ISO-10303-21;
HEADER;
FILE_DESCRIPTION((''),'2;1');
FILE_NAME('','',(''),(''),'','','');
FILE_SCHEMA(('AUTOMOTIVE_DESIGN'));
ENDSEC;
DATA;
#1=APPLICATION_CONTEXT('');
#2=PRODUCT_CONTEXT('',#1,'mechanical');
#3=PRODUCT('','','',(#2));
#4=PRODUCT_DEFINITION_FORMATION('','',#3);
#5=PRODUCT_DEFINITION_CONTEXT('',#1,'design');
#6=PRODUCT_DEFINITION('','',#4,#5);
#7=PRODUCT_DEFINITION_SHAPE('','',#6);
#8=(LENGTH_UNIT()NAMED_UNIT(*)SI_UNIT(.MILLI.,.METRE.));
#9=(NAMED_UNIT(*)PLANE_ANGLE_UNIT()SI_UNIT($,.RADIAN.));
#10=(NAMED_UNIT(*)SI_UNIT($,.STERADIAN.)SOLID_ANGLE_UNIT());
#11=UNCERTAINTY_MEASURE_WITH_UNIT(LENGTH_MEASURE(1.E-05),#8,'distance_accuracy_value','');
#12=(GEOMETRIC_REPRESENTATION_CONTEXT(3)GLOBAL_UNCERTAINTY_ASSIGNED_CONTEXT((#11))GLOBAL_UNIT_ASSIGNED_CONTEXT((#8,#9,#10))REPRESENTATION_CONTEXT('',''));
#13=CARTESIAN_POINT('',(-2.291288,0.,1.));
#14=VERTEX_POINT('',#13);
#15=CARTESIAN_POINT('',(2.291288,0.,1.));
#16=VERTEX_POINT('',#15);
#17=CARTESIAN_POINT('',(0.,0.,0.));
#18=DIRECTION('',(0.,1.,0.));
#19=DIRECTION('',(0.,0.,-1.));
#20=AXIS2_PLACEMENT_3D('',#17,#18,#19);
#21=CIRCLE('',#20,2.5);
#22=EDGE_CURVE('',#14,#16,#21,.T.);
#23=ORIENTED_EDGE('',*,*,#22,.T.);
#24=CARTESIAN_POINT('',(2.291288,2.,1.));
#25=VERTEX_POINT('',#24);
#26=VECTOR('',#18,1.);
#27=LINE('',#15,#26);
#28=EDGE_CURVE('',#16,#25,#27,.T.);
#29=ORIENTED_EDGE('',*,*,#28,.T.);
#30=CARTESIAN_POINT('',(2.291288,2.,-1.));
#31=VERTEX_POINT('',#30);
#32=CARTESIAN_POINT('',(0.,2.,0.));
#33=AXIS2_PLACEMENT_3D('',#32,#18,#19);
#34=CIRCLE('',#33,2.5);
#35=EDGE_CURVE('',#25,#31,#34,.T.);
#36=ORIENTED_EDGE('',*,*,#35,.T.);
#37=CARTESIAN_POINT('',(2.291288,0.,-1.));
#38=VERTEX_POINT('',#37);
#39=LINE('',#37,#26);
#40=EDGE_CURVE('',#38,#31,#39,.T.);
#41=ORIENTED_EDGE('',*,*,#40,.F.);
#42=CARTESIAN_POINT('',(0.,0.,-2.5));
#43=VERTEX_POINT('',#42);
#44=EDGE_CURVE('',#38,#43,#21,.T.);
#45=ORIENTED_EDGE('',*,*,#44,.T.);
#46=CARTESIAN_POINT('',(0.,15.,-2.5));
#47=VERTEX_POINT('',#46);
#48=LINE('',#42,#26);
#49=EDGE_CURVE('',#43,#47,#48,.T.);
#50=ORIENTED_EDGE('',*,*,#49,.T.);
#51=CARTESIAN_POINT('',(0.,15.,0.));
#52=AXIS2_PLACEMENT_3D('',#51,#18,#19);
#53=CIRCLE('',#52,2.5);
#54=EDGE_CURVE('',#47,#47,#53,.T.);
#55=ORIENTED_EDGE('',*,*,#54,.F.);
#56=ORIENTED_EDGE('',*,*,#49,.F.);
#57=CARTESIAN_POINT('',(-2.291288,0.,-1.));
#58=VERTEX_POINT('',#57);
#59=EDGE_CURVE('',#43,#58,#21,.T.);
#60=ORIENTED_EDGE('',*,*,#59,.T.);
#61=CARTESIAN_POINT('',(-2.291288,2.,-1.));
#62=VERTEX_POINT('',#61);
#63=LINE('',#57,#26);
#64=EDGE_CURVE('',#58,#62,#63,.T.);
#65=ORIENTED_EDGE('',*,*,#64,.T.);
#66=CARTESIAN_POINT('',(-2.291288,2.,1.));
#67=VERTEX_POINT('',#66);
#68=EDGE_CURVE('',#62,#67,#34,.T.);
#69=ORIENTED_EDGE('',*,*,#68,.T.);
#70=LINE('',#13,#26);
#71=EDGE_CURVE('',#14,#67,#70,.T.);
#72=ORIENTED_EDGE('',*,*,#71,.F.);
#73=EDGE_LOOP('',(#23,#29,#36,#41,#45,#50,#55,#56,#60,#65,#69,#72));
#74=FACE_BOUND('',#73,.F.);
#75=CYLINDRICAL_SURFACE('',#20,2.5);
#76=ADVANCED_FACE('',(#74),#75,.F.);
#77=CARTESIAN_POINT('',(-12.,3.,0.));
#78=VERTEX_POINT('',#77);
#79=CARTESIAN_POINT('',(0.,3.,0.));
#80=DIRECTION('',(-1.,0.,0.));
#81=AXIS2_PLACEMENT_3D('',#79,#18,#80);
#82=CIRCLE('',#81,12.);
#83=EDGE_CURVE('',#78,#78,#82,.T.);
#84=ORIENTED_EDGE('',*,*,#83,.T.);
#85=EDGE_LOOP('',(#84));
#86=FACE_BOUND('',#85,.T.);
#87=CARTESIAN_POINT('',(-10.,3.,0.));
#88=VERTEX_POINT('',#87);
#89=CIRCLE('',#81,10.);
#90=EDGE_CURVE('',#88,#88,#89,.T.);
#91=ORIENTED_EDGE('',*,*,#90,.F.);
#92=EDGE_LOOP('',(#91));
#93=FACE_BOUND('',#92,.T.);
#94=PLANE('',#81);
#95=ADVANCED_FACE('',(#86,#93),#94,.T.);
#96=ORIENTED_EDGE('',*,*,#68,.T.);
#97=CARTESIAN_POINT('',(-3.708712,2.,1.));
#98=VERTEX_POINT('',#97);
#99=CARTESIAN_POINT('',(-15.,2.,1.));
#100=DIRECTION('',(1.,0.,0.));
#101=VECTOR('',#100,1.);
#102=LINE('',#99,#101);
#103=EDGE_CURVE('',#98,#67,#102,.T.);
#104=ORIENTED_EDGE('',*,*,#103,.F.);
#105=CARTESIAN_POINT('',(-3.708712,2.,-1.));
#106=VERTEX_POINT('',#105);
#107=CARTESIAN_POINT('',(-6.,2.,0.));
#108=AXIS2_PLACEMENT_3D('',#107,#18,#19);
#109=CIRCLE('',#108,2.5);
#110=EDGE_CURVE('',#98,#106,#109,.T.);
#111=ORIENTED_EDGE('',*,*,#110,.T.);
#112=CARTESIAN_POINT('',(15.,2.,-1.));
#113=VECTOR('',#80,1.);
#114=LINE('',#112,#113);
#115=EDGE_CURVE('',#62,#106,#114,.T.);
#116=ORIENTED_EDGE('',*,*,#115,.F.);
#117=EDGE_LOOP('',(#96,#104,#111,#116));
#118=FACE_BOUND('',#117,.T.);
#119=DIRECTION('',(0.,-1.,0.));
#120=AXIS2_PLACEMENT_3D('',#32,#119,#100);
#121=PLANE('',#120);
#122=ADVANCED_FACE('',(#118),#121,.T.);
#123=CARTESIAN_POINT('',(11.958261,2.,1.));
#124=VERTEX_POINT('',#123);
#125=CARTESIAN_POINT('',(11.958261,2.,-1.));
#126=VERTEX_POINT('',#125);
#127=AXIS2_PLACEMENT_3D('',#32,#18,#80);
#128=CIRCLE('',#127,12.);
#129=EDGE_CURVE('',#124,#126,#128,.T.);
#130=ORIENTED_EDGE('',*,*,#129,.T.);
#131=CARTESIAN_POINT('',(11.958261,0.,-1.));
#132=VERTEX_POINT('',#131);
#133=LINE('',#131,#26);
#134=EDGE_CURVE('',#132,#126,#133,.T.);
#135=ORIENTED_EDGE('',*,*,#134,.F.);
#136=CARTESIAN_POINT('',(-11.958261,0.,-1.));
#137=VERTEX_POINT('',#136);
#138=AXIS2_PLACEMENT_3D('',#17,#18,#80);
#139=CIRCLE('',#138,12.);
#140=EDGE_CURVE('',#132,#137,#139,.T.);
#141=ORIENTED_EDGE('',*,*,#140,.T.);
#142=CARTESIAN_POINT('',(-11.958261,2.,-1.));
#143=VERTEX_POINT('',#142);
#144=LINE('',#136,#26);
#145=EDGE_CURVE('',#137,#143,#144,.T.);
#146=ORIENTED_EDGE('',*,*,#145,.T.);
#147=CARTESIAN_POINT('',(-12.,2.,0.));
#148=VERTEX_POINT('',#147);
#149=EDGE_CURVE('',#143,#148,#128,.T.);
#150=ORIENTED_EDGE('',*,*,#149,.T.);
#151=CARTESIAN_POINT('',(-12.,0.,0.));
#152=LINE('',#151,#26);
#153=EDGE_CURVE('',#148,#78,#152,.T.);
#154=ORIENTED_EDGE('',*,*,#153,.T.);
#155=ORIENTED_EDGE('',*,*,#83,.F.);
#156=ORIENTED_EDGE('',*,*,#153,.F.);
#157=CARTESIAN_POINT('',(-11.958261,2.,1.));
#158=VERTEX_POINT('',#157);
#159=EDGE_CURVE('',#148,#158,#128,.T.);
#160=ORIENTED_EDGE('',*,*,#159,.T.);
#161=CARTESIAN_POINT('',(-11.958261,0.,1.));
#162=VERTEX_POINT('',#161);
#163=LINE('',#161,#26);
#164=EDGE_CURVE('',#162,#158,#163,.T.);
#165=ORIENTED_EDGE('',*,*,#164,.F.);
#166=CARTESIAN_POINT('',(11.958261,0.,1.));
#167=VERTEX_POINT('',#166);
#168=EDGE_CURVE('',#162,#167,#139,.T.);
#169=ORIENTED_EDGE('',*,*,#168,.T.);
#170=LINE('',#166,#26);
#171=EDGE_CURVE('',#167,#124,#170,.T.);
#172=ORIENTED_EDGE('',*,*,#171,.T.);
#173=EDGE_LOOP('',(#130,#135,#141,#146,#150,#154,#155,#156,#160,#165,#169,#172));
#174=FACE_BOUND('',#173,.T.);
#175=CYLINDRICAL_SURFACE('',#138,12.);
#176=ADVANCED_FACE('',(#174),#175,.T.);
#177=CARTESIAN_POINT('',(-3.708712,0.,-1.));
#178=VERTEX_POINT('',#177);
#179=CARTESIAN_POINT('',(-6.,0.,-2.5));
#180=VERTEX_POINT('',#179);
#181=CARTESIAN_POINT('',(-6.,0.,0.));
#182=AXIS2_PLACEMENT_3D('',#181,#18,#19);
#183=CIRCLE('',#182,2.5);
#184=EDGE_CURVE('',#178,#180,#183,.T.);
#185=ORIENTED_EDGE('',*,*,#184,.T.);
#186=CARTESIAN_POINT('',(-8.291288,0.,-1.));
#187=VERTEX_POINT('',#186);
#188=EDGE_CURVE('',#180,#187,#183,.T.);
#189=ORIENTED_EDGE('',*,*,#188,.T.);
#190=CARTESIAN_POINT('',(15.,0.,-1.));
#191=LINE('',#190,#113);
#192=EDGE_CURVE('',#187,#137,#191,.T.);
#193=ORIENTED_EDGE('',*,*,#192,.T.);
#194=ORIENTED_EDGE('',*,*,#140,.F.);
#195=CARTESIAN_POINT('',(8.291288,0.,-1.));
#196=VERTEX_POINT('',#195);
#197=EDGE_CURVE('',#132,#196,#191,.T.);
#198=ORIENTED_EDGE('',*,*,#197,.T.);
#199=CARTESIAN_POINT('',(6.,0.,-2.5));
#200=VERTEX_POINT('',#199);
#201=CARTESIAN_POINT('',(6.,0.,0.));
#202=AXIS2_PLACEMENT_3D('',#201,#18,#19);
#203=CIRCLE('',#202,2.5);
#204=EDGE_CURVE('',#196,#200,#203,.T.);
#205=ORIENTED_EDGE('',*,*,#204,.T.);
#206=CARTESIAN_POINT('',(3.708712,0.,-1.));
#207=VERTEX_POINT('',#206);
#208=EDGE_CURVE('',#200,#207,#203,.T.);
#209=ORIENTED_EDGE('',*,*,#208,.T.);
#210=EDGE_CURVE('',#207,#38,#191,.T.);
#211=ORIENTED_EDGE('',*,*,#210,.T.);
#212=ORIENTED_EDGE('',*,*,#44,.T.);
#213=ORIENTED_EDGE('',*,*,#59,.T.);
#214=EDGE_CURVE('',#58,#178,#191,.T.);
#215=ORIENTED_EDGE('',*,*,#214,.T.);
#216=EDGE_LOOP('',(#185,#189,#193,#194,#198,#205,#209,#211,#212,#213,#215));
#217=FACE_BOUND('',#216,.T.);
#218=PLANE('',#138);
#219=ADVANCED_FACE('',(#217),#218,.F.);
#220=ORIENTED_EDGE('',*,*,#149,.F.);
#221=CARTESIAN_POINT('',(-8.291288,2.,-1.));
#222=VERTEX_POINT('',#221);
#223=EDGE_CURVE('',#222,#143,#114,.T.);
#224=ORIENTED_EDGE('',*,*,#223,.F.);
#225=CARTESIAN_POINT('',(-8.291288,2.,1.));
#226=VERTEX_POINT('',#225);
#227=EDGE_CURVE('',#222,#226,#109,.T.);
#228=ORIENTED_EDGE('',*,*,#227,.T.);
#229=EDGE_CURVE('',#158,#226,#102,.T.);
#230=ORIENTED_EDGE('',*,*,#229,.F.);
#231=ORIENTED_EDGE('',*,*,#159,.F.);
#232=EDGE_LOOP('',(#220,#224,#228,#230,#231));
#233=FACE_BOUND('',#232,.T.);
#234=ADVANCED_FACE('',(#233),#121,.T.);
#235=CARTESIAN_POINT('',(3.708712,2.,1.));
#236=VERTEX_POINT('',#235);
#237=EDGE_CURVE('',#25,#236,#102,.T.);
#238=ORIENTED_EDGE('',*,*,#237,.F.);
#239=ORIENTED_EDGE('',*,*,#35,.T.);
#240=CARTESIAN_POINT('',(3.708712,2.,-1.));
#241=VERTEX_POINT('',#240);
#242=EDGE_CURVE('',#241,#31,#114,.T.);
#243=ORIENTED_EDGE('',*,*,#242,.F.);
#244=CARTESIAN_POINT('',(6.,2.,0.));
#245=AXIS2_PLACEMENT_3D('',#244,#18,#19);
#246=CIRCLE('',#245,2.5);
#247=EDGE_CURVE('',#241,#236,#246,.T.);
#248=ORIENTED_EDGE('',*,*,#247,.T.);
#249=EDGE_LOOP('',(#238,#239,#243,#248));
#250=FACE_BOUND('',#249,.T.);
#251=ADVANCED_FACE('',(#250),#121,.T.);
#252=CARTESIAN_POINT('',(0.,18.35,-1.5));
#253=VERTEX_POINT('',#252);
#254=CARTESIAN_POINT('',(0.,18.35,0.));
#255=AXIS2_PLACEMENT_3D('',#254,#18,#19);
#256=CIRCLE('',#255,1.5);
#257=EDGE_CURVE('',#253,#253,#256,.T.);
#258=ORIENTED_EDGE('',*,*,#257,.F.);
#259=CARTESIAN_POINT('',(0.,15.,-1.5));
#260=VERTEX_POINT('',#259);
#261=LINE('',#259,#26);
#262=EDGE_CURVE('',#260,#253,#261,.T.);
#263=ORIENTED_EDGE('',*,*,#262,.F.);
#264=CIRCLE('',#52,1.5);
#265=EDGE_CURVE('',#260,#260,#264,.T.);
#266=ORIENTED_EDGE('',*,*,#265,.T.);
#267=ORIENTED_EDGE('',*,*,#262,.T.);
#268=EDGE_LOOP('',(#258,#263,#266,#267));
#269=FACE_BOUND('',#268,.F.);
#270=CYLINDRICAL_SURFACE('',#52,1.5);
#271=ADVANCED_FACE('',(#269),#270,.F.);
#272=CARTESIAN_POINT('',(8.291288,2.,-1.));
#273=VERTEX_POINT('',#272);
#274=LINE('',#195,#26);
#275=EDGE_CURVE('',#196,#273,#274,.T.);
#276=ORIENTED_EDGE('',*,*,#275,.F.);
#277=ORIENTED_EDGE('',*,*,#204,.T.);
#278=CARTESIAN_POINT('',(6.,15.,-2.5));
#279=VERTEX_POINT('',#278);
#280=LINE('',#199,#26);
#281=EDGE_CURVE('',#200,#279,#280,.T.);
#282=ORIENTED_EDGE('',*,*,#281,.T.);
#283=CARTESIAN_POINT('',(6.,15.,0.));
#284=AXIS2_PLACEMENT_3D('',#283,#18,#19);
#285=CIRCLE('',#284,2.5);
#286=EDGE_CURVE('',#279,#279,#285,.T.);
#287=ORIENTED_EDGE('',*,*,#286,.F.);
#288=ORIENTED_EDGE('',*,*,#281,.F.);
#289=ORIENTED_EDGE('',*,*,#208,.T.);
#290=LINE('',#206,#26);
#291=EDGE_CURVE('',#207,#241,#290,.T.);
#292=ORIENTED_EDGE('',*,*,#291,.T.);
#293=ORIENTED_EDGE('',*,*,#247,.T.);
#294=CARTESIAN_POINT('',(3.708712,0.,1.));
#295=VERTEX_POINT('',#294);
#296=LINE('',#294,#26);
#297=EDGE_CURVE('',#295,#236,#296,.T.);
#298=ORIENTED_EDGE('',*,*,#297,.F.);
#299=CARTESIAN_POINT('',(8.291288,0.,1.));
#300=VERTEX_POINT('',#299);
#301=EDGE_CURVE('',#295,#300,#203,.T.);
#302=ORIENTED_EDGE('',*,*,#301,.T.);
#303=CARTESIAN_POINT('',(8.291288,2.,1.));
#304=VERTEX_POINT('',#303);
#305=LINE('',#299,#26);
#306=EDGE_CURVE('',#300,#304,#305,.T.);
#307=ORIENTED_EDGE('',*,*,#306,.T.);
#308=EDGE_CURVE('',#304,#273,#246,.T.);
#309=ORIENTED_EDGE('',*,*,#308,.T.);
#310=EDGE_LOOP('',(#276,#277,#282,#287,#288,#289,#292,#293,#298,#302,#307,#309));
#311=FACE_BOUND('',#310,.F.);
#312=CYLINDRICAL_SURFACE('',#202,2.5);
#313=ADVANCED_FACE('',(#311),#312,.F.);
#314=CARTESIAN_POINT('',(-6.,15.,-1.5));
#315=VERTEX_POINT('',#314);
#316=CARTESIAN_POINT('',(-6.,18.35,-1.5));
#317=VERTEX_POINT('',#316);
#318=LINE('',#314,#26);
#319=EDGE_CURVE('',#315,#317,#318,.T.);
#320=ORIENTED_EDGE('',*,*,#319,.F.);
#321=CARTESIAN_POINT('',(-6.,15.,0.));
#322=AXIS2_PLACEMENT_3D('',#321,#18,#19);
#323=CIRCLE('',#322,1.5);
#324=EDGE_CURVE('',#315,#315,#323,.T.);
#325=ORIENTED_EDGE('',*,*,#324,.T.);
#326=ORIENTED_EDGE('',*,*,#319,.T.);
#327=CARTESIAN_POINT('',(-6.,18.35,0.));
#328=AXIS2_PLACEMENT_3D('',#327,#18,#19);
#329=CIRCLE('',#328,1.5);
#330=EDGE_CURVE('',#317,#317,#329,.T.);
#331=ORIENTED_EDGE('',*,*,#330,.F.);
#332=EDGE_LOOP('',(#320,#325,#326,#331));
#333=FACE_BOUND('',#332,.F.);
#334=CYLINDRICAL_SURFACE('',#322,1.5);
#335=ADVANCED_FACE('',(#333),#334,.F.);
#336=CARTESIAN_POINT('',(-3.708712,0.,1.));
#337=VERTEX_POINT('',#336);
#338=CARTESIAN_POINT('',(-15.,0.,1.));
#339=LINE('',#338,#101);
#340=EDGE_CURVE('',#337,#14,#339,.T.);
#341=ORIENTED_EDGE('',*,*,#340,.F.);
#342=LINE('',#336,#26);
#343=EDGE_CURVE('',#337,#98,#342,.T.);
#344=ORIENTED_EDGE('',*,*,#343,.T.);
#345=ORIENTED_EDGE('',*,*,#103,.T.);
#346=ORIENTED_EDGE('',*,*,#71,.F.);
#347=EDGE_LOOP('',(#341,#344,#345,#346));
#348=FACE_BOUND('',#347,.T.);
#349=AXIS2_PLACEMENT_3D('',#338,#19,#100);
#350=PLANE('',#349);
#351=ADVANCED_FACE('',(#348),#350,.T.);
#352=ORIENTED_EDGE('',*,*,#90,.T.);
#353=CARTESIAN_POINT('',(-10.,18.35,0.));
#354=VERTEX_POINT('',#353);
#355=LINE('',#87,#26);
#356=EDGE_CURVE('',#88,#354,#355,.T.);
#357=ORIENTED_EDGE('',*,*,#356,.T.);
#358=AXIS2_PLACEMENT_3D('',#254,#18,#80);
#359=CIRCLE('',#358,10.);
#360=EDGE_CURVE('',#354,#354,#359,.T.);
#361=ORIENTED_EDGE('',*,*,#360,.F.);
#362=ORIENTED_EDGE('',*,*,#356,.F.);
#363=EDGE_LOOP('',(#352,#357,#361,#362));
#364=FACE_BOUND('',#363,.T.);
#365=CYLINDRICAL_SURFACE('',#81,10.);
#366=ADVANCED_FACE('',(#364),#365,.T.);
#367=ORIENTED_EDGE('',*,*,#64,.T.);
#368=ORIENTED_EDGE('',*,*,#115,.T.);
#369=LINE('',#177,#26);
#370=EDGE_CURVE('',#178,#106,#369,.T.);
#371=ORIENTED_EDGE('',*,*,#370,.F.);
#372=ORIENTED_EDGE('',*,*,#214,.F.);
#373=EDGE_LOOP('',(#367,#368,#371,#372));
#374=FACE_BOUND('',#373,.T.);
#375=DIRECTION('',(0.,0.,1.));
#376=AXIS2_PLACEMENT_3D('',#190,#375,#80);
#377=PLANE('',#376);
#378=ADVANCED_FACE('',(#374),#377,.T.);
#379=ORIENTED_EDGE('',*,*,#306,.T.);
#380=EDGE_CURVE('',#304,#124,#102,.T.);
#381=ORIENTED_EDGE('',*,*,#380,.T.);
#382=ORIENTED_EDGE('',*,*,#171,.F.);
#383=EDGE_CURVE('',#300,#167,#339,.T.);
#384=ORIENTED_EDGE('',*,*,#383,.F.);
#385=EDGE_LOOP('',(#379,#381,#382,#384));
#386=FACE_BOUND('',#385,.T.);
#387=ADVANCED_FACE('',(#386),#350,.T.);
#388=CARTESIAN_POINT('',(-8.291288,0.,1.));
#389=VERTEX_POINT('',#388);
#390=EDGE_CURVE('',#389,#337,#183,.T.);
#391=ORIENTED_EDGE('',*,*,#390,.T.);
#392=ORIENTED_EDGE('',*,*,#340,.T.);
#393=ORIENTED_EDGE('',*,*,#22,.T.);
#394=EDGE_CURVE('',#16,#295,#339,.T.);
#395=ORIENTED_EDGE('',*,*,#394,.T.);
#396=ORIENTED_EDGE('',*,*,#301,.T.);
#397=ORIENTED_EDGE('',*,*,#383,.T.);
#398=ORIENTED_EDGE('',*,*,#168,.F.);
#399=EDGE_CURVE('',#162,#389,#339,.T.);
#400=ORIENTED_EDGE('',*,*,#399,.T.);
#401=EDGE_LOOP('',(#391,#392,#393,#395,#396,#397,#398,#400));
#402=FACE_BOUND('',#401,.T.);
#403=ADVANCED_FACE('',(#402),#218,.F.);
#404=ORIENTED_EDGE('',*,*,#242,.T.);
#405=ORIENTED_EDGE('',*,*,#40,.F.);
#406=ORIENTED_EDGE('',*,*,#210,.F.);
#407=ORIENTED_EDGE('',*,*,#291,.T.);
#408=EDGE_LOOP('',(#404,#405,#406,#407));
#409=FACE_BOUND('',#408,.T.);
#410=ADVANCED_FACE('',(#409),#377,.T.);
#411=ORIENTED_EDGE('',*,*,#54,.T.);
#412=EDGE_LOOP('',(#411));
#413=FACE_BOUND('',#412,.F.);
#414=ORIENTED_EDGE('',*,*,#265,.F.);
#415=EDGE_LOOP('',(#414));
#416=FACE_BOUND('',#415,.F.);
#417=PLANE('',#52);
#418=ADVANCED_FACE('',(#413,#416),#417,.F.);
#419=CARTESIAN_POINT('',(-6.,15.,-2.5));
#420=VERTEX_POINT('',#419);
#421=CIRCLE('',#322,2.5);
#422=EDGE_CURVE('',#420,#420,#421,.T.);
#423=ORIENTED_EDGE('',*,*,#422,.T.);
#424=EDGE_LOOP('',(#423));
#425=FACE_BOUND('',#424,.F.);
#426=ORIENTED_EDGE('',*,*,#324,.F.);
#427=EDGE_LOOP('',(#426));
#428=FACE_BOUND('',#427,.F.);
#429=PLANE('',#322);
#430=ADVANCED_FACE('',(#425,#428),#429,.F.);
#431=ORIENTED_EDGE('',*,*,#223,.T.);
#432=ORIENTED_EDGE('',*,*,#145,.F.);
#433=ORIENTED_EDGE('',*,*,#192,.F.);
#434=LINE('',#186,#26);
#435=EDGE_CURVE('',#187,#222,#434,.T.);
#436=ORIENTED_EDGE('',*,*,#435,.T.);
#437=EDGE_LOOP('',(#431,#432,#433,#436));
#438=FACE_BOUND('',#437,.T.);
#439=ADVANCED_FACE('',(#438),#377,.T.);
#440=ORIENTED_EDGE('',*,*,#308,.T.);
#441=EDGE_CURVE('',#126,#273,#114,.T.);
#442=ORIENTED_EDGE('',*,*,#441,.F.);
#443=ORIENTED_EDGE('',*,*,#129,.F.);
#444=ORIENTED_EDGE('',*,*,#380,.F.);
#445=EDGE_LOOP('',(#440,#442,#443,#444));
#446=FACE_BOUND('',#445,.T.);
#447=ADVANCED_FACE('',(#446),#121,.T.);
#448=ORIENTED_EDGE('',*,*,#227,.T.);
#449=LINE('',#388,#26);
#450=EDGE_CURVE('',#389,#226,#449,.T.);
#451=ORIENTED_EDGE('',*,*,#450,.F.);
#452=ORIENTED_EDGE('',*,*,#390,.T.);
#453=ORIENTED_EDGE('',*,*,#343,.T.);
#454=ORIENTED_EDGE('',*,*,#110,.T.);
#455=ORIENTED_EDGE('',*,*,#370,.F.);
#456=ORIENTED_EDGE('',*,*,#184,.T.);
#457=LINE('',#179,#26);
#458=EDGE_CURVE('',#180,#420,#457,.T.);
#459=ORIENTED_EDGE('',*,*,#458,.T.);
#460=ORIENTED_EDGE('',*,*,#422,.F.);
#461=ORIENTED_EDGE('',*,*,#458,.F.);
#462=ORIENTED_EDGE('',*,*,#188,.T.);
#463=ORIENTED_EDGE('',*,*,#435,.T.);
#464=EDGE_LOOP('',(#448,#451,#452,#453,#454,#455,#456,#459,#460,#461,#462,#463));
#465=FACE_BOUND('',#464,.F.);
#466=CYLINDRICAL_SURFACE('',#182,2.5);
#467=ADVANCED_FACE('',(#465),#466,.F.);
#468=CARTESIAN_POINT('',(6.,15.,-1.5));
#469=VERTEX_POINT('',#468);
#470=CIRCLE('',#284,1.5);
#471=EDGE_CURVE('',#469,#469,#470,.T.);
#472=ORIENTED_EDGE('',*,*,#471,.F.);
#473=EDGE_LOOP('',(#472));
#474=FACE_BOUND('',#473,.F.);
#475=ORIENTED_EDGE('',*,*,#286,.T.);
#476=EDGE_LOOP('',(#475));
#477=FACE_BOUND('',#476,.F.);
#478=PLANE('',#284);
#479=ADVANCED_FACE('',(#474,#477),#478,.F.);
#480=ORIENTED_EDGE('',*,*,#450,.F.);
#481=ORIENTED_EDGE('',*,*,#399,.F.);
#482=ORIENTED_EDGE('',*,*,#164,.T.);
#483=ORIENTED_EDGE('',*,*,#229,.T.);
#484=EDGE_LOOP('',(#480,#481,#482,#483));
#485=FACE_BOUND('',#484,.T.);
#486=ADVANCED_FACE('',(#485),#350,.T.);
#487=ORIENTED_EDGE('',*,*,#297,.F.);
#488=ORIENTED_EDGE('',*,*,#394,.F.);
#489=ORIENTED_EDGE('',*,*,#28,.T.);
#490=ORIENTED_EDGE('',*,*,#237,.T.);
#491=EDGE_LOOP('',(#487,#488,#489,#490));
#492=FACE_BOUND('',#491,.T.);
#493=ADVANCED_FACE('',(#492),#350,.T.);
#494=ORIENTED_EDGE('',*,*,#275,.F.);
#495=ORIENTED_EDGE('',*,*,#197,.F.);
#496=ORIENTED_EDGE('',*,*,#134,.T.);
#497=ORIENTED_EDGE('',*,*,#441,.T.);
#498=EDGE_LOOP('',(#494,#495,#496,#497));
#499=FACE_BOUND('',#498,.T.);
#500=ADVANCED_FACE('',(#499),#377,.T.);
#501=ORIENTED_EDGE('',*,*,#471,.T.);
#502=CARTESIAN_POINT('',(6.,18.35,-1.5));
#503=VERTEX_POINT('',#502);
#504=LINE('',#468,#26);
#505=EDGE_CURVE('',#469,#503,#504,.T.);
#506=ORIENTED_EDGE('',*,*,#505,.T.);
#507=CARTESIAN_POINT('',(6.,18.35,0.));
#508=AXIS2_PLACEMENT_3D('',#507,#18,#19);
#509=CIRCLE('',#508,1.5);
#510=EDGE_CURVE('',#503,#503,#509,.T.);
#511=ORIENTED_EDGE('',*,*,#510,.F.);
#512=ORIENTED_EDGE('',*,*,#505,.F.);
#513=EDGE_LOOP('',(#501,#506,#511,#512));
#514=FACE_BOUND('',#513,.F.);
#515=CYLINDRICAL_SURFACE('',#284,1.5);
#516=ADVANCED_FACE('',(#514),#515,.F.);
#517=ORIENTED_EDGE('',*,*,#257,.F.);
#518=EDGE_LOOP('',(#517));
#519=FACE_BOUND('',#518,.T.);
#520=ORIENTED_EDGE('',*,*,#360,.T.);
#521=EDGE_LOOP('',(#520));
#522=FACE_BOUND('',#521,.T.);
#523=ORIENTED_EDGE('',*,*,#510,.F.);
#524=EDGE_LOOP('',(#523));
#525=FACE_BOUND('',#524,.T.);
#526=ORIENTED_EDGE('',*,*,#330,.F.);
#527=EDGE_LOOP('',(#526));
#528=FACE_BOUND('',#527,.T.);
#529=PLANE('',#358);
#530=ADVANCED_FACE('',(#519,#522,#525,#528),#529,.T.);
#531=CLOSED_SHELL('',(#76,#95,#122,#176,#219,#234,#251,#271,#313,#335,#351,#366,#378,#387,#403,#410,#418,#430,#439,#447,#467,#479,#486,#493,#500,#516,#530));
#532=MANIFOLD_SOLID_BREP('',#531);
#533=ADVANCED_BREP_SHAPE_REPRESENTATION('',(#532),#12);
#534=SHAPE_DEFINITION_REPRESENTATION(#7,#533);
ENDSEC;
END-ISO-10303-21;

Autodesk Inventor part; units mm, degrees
ref_plane "YZ Plane" through (0, 0, 0) normal (1, 0, 0) x (0, 1, 0)
ref_plane "XZ Plane" through (0, 0, 0) normal (0, 1, 0) x (-1, 0, 0)
ref_plane "XY Plane" through (0, 0, 0) normal (0, 0, 1) x (1, 0, 0)
sketch "Sketch1" plane through (0, 0, 0) normal (0, 0, 1) x (1, 0, 0)
  line L0 (0, 0) -> (0, 18.35)
  line L1 (0, 0) -> (-12, 0)
  line L2 (-12, 0) -> (-12, 3)
  line L3 (-12, 3) -> (-10, 3)
  line L4 (-10, 3) -> (-10, 18.35)
  line L5 (-10, 18.35) -> (0, 18.35)
  dimension "d0" = 20
  dimension "d1" = 24
  dimension "d2" = 3
  dimension "d3" = 18.35
revolve "Revolution1" add sketch "Sketch1" angle 360 about axis through (0, 0, 0) along (0, 1, 0)
sketch "Sketch2" plane through (0, 0, 0) normal (0, -1, 0) x (1, 0, 0)
  point P0 (0, 0)
  point P1 (0, 0)
  point P2 (6, 0)
  point P3 (-6, 0)
  dimension "d6" = 6
  dimension "d7" = 6
hole "Hole1" at (0, 0, 0) at (6, 0, 0) at (-6, 0, 0) direction (0, 1, 0) diameter 3 end through all counterbore diameter 5 counterbore depth 15
sketch "Sketch3" plane through (0, 0, 0) normal (0, -1, 0) x (1, 0, 0)
  line L0 (-15, 1) -> (15, 1)
  line L1 (15, 1) -> (15, -1)
  line L2 (15, -1) -> (-15, -1)
  line L3 (-15, -1) -> (-15, 1)
  line L4 (-15, 1) -> (15, -1) construction
  line L5 (15, 1) -> (-15, -1) construction
  point P0 (0, 0)
  dimension "d15" = 30
  dimension "d16" = 2
extrude "Extrusion1" cut sketch "Sketch3" against normal blind 2
equation "\"d7\" = d6"
properties part number "019" material "PAEK Plastic"
